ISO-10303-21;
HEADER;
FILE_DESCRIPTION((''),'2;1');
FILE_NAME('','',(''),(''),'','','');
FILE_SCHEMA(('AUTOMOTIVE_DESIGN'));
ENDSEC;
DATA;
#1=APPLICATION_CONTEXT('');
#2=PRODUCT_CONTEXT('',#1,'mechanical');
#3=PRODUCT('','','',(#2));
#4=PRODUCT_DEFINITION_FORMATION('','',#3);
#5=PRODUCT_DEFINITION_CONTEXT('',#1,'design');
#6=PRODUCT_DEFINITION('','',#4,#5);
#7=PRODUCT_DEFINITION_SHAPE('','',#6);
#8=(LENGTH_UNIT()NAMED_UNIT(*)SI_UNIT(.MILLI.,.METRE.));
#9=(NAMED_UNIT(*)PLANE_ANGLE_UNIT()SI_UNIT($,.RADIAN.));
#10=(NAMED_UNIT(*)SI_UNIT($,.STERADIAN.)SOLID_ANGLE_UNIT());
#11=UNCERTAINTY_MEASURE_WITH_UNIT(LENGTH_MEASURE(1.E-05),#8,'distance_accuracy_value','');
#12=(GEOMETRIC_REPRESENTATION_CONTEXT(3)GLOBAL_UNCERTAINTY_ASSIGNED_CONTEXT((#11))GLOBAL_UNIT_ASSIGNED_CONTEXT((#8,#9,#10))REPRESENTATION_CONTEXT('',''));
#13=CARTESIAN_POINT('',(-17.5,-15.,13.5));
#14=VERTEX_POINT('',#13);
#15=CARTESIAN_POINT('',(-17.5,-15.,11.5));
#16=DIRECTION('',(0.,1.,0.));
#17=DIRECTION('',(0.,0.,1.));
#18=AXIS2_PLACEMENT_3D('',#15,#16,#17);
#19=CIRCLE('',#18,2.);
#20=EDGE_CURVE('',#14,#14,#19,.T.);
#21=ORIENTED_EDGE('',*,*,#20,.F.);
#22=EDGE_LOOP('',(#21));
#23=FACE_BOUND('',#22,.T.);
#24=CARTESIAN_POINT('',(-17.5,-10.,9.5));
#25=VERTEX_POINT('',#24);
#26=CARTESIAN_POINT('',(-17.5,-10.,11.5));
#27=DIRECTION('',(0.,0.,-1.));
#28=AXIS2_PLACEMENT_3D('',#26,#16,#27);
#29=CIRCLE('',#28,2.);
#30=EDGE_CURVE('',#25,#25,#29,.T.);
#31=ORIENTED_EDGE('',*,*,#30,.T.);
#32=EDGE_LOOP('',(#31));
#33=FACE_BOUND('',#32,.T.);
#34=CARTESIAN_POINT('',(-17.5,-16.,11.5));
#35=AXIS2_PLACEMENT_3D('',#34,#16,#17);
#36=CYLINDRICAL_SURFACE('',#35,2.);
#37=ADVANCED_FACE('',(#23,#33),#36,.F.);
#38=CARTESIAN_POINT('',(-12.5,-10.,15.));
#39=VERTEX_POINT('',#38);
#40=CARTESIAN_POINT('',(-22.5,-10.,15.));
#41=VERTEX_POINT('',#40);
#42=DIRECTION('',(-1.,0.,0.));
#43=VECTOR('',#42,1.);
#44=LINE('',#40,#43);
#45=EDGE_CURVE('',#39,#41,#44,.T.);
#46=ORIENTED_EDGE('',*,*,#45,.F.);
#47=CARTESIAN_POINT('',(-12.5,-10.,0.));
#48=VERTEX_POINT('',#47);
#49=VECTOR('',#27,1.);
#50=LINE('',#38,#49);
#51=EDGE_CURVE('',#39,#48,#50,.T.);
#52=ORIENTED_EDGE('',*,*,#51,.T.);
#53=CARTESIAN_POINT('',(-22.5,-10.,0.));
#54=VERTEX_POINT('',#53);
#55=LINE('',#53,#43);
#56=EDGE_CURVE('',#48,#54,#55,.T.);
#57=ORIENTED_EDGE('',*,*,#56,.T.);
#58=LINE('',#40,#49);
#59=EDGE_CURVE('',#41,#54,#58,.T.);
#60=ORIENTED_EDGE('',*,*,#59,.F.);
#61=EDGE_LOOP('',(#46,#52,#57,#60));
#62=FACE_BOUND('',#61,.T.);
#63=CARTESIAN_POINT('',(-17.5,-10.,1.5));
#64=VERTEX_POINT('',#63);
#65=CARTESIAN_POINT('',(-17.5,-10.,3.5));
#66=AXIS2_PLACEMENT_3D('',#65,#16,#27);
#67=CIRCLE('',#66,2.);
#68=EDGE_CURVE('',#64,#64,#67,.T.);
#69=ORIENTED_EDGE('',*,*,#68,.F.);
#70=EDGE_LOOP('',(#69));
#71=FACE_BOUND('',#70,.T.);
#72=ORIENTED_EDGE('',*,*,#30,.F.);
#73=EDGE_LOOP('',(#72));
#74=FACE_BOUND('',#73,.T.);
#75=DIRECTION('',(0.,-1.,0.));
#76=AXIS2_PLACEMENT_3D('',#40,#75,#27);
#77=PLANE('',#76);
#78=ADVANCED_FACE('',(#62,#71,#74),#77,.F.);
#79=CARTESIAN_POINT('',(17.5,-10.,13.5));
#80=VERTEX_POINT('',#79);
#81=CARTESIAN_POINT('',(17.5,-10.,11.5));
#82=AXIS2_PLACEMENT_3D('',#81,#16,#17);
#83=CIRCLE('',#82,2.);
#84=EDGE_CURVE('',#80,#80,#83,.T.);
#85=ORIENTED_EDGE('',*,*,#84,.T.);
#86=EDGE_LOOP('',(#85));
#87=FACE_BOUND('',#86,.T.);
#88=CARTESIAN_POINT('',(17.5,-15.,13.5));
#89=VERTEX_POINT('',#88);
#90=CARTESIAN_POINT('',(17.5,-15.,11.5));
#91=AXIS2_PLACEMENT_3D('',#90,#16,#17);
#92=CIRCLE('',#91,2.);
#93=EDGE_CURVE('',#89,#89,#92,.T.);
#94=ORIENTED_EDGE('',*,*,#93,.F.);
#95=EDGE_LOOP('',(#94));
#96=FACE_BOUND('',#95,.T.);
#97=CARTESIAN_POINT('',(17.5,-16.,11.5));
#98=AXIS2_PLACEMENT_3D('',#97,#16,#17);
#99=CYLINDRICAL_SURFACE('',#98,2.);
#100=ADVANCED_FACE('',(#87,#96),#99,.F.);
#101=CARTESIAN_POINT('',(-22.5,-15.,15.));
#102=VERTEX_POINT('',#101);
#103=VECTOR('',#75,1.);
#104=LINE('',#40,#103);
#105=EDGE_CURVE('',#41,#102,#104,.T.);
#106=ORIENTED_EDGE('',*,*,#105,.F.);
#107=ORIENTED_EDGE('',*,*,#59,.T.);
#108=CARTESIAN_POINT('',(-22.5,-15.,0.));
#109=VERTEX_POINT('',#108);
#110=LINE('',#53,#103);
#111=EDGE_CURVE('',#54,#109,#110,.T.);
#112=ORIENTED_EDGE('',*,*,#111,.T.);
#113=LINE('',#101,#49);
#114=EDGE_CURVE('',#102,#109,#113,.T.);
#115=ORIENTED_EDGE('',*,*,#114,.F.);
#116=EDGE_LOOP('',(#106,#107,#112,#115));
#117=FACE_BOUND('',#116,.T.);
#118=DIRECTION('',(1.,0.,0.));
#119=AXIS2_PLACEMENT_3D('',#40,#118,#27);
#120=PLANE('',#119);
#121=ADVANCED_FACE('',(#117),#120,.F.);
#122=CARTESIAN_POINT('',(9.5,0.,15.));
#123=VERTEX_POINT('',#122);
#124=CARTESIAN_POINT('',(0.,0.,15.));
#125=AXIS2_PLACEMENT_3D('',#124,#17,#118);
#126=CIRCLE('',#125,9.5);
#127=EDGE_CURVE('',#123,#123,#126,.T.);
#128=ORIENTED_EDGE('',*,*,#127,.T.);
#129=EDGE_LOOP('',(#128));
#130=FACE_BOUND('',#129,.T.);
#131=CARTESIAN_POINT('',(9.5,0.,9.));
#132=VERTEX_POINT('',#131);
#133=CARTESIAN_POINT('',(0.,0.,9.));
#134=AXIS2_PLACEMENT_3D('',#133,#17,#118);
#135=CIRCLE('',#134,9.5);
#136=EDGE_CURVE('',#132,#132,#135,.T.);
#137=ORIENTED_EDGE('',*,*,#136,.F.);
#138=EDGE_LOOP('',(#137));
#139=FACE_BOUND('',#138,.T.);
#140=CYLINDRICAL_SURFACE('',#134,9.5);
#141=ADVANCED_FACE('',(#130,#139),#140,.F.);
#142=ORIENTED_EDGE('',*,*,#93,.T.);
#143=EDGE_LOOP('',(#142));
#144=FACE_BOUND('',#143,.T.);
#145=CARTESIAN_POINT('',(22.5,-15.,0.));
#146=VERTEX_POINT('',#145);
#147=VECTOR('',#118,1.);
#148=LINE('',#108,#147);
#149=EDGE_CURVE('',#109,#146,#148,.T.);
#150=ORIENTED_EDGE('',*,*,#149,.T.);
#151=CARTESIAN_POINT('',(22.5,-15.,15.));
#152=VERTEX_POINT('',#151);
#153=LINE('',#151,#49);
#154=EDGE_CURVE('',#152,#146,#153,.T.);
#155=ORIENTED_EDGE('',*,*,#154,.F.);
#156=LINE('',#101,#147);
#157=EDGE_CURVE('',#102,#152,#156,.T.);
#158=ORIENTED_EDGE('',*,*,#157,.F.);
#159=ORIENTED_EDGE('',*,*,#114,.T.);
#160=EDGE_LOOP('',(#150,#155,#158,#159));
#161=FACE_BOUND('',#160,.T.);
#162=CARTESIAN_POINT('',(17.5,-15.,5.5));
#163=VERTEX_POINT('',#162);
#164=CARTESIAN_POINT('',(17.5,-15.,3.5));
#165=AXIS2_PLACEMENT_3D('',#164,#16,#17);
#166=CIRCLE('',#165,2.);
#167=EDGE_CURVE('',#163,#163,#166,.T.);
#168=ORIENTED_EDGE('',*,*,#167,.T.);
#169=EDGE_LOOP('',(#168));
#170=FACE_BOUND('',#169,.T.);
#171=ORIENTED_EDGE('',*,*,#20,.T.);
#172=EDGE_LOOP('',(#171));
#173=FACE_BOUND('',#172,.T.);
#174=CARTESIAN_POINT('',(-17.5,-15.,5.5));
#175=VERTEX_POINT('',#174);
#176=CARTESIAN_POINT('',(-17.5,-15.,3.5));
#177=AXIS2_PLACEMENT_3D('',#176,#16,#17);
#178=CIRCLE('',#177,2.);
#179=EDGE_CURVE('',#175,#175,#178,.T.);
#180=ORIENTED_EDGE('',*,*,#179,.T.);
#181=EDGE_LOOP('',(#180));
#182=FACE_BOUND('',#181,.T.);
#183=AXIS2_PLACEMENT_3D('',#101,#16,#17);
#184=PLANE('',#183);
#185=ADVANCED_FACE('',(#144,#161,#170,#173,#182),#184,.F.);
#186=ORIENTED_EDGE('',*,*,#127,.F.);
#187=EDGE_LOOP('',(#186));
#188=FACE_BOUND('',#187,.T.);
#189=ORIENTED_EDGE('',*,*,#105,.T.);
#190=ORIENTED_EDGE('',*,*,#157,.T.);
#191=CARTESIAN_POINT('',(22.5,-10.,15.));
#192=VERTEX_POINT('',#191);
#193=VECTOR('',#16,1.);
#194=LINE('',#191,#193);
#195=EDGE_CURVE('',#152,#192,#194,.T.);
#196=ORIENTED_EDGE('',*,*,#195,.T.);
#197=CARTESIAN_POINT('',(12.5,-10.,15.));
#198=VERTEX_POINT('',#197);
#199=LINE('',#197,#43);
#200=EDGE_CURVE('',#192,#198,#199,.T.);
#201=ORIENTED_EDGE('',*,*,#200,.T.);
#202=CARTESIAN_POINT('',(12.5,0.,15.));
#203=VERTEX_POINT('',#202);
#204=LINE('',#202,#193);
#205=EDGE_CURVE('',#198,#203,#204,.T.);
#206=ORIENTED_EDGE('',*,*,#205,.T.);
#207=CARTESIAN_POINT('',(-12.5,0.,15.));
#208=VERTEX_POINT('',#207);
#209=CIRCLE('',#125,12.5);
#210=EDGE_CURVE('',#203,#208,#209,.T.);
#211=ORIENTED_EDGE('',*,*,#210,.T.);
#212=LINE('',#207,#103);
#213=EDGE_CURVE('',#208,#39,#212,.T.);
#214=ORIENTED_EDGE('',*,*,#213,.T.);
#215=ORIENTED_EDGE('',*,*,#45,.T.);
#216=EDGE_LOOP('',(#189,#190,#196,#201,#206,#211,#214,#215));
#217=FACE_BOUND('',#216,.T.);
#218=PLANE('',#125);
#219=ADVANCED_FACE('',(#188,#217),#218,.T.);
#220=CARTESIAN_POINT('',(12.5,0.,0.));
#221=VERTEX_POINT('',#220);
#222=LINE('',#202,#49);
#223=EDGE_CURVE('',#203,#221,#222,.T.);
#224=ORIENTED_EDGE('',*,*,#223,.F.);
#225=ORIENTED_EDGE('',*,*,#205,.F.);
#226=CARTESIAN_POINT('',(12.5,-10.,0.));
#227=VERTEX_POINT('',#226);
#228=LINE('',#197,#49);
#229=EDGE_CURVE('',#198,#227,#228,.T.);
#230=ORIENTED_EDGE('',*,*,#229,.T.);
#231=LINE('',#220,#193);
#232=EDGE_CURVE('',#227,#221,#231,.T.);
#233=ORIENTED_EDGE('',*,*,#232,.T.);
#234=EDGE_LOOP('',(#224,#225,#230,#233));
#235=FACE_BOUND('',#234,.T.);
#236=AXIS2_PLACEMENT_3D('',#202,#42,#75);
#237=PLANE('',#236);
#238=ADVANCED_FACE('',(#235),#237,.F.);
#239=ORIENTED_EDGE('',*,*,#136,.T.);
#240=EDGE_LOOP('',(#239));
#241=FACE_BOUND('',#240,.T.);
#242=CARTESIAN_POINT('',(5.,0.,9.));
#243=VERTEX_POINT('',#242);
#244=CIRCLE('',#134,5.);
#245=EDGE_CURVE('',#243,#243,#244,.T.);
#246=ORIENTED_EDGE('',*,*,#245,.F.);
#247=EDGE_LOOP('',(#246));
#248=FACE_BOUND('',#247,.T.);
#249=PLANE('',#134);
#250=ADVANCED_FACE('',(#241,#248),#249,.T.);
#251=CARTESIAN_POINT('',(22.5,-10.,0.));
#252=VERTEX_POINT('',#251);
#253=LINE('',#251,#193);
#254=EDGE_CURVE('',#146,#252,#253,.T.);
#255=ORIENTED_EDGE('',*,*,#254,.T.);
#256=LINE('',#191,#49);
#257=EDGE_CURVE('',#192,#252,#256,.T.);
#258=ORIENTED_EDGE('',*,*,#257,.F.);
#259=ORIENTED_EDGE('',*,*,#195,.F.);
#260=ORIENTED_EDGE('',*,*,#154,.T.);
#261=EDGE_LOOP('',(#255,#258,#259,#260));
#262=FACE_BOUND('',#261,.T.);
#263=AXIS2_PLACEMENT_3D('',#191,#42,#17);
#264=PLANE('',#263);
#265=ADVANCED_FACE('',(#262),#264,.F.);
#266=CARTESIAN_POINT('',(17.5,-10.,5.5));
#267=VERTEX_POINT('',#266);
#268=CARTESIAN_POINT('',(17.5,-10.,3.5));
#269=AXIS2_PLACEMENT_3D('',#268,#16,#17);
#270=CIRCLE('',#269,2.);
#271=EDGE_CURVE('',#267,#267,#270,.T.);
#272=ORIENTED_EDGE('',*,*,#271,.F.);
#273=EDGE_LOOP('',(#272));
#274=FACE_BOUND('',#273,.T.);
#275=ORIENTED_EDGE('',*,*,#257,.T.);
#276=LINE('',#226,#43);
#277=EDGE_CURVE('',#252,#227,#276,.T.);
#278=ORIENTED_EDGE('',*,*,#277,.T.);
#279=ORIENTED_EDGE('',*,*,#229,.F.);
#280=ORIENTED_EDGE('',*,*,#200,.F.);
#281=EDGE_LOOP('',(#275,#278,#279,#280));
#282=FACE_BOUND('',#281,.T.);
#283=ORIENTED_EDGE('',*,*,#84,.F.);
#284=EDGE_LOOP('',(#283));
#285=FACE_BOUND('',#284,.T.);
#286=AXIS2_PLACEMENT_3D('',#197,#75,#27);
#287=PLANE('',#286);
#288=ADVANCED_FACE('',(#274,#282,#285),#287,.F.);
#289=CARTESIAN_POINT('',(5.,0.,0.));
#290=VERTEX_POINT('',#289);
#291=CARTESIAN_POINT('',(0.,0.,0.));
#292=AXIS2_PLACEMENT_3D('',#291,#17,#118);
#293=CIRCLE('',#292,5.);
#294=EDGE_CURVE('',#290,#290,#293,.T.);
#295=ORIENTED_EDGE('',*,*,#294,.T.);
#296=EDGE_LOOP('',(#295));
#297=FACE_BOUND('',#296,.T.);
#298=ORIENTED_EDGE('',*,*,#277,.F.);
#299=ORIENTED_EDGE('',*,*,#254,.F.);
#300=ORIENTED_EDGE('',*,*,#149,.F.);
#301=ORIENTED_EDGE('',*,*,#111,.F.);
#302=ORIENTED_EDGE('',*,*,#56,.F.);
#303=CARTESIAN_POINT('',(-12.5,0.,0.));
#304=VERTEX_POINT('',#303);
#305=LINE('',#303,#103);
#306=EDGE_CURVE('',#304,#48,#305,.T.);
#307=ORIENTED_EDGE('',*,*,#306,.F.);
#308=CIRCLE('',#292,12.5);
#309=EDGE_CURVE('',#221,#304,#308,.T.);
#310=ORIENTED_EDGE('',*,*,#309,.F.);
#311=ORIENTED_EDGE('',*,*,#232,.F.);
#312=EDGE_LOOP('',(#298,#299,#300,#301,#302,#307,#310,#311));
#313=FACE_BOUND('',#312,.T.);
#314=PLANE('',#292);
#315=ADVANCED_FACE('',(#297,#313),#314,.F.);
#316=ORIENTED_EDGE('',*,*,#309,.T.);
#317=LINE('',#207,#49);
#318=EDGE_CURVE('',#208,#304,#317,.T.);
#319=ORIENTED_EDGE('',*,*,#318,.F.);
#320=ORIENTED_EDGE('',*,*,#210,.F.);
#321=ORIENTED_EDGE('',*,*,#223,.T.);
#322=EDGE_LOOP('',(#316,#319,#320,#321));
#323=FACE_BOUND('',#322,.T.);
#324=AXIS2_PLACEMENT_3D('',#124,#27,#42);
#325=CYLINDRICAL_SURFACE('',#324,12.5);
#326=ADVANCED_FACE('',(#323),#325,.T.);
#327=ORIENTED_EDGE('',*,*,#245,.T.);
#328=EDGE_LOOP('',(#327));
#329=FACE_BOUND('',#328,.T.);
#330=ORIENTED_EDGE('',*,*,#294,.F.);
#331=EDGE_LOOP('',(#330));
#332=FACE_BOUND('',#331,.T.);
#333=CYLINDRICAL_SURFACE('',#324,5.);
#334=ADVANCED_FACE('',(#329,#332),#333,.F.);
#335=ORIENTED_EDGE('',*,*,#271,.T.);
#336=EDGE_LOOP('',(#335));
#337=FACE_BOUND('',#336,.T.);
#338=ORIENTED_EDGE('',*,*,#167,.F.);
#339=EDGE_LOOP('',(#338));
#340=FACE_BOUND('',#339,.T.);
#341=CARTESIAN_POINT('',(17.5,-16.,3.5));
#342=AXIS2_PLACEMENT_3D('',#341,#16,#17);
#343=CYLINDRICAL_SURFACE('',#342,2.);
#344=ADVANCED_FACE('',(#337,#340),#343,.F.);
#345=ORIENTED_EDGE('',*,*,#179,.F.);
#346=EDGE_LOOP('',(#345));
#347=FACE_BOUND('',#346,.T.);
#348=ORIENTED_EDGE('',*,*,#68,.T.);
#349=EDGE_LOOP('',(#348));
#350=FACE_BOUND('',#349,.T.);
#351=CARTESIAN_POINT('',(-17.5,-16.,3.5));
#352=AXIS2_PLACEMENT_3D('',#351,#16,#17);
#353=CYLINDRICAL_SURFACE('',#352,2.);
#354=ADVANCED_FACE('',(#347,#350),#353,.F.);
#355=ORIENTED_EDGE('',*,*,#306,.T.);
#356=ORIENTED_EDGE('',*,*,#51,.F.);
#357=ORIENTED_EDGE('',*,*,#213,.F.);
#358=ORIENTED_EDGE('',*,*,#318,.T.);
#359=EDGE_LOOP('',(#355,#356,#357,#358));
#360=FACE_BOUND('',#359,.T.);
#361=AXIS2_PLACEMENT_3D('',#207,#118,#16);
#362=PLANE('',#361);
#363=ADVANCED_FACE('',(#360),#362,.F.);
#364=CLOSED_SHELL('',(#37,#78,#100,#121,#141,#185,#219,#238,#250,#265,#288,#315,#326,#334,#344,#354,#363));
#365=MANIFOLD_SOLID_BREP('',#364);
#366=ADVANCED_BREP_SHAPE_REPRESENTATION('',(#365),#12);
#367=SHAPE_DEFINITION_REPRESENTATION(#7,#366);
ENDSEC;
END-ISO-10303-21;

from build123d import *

# Parameters (mm, degrees)
SKETCH1_R           = 5
BOSS_EXTRUDE1_DEPTH = 15
SKETCH2_R           = 9.5
CUT_EXTRUDE1_DEPTH  = 6
SKETCH3_R           = 2
CUT_EXTRUDE2_DEPTH  = 6


with BuildPart() as part:
    # Sketch1 → Boss-Extrude1 (new body)
    with BuildSketch(Plane.XY):
        with BuildLine():
            Line((-12.5, 0), (-12.5, -10))
            Line((-12.5, -10), (-22.5, -10))
            Line((-22.5, -10), (-22.5, -15))
            Line((-22.5, -15), (22.5, -15))
            Line((22.5, -15), (22.5, -10))
            Line((22.5, -10), (12.5, -10))
            Line((12.5, -10), (12.5, 0))
            ThreePointArc((12.5, 0), (0, 12.5), (-12.5, 0))
        make_face()
        Circle(SKETCH1_R, mode=Mode.SUBTRACT)
    extrude(amount=BOSS_EXTRUDE1_DEPTH)

    # Sketch2 → Cut-Extrude1 (cut)
    with BuildSketch(Plane.XY.offset(15)):
        Circle(SKETCH2_R)
    extrude(amount=-CUT_EXTRUDE1_DEPTH, mode=Mode.SUBTRACT)

    # Sketch3 → Cut-Extrude2 (cut)
    with BuildSketch(Plane(origin=(0, -10, 0), x_dir=(1, 0, 0), z_dir=(0, 1, 0))):
        with Locations((17.5, -3.5)):
            Circle(SKETCH3_R)
        with Locations((17.5, -11.5)):
            Circle(SKETCH3_R)
        with Locations((-17.5, -11.5)):
            Circle(SKETCH3_R)
        with Locations((-17.5, -3.5)):
            Circle(SKETCH3_R)
    extrude(amount=-CUT_EXTRUDE2_DEPTH, mode=Mode.SUBTRACT)


solid = part.part
